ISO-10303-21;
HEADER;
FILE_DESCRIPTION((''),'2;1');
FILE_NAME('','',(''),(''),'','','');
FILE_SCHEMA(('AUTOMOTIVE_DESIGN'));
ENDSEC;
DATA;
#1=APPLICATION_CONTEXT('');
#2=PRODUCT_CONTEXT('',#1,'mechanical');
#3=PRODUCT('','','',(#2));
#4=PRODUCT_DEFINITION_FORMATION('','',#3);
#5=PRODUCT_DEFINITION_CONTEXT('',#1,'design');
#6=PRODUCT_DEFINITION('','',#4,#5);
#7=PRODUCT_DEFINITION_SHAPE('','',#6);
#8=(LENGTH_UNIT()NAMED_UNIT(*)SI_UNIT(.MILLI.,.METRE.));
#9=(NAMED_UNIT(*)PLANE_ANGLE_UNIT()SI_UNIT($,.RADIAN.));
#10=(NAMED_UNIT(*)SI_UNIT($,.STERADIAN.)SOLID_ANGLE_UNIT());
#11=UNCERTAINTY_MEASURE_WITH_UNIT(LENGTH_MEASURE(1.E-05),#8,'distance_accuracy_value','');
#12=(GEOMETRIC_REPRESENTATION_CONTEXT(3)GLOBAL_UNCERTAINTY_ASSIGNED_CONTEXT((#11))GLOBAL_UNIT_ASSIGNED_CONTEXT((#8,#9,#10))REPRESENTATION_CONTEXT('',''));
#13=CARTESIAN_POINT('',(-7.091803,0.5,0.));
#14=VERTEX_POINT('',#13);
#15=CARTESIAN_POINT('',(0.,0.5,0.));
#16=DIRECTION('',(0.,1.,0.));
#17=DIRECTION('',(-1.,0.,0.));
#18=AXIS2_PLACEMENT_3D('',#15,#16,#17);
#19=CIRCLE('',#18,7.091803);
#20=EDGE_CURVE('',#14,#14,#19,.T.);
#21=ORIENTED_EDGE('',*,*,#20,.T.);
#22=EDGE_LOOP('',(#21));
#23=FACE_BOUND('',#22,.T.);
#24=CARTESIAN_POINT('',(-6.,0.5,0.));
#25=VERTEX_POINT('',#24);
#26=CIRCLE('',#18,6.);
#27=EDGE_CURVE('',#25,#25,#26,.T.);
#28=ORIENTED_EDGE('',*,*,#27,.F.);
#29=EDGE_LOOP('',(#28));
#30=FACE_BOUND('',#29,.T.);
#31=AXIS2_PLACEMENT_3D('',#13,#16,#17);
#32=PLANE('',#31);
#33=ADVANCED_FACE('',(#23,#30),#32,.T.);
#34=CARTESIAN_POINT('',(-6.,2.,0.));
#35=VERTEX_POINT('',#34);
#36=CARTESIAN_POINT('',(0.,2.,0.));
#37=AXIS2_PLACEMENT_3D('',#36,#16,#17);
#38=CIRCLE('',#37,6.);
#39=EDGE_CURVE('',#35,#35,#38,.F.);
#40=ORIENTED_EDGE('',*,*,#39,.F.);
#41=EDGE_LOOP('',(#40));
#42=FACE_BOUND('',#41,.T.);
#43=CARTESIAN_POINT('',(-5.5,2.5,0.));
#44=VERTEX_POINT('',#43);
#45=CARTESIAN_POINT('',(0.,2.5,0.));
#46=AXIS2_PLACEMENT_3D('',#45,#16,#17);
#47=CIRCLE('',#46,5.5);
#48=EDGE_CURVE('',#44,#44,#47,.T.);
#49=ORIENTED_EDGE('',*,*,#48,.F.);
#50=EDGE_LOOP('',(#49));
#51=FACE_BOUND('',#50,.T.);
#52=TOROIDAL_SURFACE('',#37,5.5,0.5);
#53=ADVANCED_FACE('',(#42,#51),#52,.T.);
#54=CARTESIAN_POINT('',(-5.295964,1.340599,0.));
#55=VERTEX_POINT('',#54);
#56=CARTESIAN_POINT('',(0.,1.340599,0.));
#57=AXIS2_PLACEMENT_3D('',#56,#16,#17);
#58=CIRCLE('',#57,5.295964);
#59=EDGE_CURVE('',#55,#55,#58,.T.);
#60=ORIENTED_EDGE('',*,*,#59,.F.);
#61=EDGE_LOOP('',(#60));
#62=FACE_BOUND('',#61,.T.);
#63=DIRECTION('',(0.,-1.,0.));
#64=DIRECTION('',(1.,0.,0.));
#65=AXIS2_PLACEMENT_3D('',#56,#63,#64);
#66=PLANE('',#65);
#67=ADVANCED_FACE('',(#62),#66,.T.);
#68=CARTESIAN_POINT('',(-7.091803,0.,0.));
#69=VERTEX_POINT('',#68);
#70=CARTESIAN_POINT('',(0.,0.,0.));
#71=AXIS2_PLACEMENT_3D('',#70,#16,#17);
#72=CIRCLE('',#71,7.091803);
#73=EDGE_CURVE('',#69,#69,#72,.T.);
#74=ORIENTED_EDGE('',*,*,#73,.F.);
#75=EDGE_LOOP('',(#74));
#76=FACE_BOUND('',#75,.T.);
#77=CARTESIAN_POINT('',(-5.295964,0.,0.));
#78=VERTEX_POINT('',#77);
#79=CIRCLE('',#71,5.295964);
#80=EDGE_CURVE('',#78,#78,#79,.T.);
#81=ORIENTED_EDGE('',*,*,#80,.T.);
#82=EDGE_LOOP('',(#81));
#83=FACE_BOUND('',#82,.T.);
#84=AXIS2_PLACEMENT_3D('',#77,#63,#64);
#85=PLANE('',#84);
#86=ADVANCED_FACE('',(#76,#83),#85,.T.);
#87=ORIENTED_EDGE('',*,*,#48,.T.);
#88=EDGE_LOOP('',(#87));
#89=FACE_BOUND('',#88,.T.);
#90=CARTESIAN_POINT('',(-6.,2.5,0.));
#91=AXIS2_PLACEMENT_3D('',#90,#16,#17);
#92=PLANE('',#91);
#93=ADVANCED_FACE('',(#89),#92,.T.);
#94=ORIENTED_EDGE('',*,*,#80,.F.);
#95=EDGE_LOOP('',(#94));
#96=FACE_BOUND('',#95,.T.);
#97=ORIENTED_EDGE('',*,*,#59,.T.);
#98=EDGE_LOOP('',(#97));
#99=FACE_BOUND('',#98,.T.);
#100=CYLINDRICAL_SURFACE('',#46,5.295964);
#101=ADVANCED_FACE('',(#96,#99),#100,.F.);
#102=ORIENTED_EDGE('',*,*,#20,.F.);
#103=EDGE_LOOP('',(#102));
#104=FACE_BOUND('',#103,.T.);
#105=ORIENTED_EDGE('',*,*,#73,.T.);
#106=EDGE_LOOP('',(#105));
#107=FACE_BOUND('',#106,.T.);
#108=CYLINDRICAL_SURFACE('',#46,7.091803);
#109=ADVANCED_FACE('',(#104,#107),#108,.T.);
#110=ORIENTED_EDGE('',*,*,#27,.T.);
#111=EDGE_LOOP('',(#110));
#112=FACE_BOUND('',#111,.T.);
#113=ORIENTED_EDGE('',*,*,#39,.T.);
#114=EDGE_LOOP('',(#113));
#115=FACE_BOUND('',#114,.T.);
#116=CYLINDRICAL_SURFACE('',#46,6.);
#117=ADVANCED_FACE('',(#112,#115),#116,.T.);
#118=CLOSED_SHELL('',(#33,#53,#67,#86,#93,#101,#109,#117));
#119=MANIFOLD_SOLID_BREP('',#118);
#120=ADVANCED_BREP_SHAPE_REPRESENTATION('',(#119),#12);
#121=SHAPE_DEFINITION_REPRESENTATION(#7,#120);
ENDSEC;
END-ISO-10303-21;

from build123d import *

# Parameters (mm, degrees)
FILLET_1_R = 0.5


with BuildPart() as part:
    # Эскиз1 → Повернуть1 (revolve)
    with BuildSketch(Plane.XY):
        Polygon((-5.295963856, 0), (-7.091803279, 0), (-7.091803279, 0.5), (-6, 0.5), (-6, 2.5), (0, 2.5), (0, 1.340599242), (-5.295963856, 1.340599242), align=None)
    revolve(axis=Axis((0, 2.5, 0), (0, -1, 0)))

    # Скругление1
    fillet_1_edges = [part.edges().sort_by_distance(p)[0] for p in [
        (6, 2.5, 0),
    ]]
    fillet(fillet_1_edges, radius=FILLET_1_R)


solid = part.part
